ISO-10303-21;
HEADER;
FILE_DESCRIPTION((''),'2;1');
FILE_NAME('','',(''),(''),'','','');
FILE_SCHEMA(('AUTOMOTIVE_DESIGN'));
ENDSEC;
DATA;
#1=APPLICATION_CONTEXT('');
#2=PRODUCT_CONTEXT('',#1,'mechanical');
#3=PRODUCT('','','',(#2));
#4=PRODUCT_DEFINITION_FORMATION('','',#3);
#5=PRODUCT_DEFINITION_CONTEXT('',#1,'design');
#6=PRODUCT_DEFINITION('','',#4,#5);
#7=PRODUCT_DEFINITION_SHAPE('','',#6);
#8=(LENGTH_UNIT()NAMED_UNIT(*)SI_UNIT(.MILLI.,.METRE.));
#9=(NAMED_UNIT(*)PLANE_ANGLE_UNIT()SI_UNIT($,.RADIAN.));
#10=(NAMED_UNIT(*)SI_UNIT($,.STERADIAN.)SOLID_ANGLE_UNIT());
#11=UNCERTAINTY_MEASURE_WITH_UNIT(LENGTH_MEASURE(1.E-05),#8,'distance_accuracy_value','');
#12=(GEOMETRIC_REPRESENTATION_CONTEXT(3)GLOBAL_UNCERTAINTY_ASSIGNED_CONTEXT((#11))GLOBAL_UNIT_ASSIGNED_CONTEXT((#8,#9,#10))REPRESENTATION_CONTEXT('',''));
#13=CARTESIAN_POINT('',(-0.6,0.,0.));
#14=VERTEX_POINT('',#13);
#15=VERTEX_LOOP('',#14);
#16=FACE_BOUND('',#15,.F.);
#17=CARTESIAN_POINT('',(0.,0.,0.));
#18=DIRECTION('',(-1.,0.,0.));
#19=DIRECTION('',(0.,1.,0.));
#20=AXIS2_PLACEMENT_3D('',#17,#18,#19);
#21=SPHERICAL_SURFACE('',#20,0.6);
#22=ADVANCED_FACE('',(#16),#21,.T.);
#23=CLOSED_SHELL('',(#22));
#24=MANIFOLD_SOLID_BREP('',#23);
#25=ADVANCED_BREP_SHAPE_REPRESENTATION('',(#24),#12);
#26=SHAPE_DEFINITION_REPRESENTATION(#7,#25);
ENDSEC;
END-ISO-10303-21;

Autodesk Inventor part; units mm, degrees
sketch "Sketch_1" plane through (0, 0, 0) normal (0, 0, 1) x (1, 0, 0)
  line L0 (0.6, 0) -> (-0.6, 0)
  arc A0 (0.6, 0) -> (-0.6, 0) centre (0, 0) ccw
  line L1 (0.6, 0) -> (-0.6, 0)
revolve "Revolution1" add sketch "Sketch_1" angle 360 about axis through (0.6, 0, 0) along (1, 0, 0)
ref_plane "ip_st_b_XY" through (0, 0, 0) normal (-1, 0, 0) x (0, 0, -1)
ref_plane "ip_st_b_YZ" through (0, 0, 0) normal (0, 0, -1) x (0, -1, 0)
ref_plane "ip_st_b_ZX" through (0, 0, 0) normal (0, -1, 0) x (-1, 0, 0)
properties part number "MR106ZZ1 Ball"
